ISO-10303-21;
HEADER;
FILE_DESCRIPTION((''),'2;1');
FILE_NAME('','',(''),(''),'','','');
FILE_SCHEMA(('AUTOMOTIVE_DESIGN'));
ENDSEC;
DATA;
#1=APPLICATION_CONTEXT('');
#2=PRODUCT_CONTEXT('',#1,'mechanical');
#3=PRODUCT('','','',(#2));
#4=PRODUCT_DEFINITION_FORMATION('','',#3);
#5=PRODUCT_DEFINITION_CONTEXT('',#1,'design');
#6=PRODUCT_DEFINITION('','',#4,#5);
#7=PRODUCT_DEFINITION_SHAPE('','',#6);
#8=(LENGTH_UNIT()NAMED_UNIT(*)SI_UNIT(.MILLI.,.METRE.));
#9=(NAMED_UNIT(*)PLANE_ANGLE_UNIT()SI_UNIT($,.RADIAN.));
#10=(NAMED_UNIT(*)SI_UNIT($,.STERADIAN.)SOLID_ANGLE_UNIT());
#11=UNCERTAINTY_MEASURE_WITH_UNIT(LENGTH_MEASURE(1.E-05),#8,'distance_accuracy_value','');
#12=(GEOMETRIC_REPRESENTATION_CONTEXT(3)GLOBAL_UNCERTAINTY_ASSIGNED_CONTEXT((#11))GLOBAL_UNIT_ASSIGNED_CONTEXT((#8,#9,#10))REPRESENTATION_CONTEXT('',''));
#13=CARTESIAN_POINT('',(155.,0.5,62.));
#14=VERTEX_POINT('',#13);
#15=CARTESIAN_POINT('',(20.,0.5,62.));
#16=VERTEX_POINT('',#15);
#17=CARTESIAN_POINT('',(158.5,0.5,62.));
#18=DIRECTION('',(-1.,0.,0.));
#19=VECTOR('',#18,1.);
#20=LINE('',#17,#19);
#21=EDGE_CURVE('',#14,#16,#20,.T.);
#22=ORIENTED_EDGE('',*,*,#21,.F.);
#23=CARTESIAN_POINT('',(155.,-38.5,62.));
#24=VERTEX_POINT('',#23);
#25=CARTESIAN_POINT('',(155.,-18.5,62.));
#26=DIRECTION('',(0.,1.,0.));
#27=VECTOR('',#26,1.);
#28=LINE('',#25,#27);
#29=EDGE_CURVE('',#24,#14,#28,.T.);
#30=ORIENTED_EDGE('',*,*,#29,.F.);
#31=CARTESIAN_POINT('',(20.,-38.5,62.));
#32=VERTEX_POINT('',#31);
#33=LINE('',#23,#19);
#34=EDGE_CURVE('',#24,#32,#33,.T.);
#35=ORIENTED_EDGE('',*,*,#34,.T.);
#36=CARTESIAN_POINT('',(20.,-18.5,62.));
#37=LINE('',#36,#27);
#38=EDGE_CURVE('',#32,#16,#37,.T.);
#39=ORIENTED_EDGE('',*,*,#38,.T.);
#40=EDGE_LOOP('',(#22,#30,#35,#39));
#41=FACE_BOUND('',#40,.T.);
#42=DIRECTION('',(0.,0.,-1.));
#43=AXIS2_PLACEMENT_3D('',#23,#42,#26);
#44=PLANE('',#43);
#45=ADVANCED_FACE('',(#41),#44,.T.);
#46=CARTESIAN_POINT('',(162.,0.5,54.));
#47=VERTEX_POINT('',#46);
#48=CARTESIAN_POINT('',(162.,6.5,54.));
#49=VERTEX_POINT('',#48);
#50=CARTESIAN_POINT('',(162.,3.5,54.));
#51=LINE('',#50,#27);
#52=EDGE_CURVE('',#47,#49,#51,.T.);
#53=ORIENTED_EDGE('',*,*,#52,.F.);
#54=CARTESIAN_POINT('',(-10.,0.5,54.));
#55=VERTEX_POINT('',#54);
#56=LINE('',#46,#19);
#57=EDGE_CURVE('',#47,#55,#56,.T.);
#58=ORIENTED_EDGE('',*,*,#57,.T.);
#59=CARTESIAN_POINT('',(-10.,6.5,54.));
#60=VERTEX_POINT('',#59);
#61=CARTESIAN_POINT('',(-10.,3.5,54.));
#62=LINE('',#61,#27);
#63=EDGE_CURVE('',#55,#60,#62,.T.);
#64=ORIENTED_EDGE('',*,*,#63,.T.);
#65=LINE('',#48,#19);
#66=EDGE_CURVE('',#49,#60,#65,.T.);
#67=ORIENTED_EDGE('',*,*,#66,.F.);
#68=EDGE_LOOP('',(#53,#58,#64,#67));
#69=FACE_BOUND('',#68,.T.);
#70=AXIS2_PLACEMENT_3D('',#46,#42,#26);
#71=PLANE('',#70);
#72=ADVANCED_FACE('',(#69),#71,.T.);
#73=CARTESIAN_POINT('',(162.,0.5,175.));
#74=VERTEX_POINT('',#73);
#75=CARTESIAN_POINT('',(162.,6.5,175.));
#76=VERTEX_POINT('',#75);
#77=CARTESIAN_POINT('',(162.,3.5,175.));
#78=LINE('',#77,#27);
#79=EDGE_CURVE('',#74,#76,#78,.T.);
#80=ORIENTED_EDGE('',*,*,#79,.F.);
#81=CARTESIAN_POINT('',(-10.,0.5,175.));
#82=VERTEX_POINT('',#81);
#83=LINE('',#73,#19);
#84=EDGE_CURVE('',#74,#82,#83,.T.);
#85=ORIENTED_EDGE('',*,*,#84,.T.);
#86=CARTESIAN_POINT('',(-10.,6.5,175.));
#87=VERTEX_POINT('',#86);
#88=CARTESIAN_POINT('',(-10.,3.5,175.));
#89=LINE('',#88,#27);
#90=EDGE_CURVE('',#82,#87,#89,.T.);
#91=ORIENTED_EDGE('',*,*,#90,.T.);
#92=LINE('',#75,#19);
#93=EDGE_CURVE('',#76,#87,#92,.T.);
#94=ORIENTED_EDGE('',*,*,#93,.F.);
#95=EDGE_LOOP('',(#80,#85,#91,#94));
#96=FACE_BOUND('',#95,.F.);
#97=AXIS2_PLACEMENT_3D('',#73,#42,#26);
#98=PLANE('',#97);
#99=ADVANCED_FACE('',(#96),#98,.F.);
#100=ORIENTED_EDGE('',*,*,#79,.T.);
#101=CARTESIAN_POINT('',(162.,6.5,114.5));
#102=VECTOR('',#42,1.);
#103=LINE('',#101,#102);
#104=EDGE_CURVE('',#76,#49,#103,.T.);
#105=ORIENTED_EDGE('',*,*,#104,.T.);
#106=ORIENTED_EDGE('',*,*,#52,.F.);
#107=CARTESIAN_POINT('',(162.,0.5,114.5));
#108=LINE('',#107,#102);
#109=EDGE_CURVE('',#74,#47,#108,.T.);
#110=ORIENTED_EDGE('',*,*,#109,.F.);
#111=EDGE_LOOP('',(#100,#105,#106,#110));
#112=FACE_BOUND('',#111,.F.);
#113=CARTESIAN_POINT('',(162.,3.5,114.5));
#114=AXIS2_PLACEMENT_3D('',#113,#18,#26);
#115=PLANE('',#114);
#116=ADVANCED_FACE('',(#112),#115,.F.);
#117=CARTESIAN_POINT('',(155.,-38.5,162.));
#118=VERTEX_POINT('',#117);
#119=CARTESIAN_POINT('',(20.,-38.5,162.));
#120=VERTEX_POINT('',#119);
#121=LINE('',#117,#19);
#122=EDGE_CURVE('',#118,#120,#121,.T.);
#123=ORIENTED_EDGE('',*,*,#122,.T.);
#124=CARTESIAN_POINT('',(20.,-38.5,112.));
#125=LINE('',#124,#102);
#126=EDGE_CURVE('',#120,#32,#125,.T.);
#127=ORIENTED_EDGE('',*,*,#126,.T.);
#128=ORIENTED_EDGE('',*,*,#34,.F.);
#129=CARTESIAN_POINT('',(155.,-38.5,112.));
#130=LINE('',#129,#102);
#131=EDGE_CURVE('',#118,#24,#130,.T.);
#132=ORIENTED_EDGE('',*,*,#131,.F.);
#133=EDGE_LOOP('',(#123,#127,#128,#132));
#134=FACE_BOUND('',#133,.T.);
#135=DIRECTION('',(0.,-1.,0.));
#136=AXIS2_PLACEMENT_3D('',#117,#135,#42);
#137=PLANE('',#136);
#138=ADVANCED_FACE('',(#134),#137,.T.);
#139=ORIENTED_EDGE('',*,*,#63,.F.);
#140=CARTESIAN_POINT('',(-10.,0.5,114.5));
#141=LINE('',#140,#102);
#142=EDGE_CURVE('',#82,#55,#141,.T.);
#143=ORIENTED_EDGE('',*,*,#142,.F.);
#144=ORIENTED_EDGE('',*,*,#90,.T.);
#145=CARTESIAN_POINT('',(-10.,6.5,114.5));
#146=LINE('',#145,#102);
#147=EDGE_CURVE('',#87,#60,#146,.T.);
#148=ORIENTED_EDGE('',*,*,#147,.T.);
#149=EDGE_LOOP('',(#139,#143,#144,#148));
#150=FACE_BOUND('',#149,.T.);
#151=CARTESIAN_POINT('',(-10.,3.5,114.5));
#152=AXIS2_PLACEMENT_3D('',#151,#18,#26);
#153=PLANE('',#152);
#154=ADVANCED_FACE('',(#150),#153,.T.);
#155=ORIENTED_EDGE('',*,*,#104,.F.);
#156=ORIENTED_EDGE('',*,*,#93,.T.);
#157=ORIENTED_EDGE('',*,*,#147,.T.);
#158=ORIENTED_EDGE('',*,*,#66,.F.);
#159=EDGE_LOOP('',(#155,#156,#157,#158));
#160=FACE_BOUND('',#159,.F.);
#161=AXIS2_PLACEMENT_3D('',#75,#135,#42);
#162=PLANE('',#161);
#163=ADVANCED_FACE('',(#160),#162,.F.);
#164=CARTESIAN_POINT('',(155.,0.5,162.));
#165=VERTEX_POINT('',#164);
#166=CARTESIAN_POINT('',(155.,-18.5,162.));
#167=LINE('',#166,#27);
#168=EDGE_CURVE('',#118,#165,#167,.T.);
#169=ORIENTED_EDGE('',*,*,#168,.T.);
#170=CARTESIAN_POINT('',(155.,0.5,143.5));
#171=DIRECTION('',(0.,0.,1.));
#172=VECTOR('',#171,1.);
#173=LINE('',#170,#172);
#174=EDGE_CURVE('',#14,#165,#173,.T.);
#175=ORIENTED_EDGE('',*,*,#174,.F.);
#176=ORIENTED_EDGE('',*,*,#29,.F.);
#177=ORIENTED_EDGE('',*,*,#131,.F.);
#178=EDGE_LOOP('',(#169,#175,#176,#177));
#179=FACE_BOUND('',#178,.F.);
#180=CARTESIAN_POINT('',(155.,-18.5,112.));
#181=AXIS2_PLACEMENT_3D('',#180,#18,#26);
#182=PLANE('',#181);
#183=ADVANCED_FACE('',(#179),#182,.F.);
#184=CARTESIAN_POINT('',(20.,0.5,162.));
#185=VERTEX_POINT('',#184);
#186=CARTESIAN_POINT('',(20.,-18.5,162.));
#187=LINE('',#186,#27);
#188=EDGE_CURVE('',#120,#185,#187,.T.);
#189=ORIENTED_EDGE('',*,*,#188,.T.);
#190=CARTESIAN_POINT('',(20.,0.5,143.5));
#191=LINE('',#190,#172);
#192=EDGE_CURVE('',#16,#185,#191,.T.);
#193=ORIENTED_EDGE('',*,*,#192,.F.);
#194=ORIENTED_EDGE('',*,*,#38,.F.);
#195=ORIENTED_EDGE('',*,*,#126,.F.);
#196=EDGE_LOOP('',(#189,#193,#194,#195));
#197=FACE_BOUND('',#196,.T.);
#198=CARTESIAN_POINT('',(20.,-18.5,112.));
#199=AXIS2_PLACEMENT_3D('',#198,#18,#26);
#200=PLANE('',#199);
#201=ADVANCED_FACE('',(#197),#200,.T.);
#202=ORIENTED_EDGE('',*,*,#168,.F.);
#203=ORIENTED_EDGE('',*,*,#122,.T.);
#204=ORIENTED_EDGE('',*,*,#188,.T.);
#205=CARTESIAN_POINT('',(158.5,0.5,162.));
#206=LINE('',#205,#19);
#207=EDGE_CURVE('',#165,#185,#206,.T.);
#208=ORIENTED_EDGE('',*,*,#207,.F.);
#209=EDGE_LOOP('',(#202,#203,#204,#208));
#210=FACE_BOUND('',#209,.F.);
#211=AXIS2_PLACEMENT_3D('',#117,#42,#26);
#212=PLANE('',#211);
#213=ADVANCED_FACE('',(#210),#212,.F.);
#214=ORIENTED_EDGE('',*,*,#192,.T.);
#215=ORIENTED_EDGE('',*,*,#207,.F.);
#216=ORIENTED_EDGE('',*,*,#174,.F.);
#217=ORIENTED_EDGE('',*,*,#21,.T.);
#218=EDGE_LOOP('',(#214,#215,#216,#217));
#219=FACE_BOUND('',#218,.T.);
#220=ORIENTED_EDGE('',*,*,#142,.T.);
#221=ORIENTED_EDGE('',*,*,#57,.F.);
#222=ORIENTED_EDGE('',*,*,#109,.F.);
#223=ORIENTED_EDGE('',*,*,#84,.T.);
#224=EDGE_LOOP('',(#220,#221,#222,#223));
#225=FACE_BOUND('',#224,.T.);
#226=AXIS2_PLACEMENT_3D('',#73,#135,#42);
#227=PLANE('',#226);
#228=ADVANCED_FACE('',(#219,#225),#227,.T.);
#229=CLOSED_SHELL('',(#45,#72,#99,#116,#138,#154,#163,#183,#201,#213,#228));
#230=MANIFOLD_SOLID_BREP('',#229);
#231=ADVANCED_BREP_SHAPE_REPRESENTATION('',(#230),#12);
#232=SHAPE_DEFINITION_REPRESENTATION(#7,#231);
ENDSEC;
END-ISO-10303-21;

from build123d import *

# Parameters (mm, degrees)
BOX168_W                  = 6
BOX168_H                  = 121
BOX168_DEPTH              = 172
BOX169_W                  = 40
BOX169_H                  = 100
BOX169_DEPTH              = 135
FUSION057_ROLL_ANGLE      = -90
FUSION057_PLACEMENT_ANGLE = 90


with BuildPart() as cube128:
    # Box168 → Box168 (new body)
    with BuildSketch(Plane.XY):
        with Locations((3, 60.5)):
            Rectangle(BOX168_W, BOX168_H)
    extrude(amount=BOX168_DEPTH)


with BuildPart() as f_120_roll_holder:
    # Box169 → Box169 (new body)
    with BuildSketch(Plane(origin=(-39, 13, 7), x_dir=(1, 0, 0), z_dir=(0, 0, 1))):
        with Locations((20, 50)):
            Rectangle(BOX169_W, BOX169_H)
    extrude(amount=BOX169_DEPTH)

    # Fusion057: union Cube128
    add(cube128.part)


with BuildPart() as f_120_roll_holder_1:
    # Fusion057 roll: moved
    add(f_120_roll_holder.part.rotate(Axis((0, 0, 0), (1, 0, 0)), FUSION057_ROLL_ANGLE))


with BuildPart() as f_120_roll_holder_2:
    # Fusion057 placement: moved
    add(f_120_roll_holder_1.part.moved(Location((162, 0.5, 175))).rotate(Axis((162, 0.5, 175), (0, 0, 1)), FUSION057_PLACEMENT_ANGLE))


solid = f_120_roll_holder_2.part
